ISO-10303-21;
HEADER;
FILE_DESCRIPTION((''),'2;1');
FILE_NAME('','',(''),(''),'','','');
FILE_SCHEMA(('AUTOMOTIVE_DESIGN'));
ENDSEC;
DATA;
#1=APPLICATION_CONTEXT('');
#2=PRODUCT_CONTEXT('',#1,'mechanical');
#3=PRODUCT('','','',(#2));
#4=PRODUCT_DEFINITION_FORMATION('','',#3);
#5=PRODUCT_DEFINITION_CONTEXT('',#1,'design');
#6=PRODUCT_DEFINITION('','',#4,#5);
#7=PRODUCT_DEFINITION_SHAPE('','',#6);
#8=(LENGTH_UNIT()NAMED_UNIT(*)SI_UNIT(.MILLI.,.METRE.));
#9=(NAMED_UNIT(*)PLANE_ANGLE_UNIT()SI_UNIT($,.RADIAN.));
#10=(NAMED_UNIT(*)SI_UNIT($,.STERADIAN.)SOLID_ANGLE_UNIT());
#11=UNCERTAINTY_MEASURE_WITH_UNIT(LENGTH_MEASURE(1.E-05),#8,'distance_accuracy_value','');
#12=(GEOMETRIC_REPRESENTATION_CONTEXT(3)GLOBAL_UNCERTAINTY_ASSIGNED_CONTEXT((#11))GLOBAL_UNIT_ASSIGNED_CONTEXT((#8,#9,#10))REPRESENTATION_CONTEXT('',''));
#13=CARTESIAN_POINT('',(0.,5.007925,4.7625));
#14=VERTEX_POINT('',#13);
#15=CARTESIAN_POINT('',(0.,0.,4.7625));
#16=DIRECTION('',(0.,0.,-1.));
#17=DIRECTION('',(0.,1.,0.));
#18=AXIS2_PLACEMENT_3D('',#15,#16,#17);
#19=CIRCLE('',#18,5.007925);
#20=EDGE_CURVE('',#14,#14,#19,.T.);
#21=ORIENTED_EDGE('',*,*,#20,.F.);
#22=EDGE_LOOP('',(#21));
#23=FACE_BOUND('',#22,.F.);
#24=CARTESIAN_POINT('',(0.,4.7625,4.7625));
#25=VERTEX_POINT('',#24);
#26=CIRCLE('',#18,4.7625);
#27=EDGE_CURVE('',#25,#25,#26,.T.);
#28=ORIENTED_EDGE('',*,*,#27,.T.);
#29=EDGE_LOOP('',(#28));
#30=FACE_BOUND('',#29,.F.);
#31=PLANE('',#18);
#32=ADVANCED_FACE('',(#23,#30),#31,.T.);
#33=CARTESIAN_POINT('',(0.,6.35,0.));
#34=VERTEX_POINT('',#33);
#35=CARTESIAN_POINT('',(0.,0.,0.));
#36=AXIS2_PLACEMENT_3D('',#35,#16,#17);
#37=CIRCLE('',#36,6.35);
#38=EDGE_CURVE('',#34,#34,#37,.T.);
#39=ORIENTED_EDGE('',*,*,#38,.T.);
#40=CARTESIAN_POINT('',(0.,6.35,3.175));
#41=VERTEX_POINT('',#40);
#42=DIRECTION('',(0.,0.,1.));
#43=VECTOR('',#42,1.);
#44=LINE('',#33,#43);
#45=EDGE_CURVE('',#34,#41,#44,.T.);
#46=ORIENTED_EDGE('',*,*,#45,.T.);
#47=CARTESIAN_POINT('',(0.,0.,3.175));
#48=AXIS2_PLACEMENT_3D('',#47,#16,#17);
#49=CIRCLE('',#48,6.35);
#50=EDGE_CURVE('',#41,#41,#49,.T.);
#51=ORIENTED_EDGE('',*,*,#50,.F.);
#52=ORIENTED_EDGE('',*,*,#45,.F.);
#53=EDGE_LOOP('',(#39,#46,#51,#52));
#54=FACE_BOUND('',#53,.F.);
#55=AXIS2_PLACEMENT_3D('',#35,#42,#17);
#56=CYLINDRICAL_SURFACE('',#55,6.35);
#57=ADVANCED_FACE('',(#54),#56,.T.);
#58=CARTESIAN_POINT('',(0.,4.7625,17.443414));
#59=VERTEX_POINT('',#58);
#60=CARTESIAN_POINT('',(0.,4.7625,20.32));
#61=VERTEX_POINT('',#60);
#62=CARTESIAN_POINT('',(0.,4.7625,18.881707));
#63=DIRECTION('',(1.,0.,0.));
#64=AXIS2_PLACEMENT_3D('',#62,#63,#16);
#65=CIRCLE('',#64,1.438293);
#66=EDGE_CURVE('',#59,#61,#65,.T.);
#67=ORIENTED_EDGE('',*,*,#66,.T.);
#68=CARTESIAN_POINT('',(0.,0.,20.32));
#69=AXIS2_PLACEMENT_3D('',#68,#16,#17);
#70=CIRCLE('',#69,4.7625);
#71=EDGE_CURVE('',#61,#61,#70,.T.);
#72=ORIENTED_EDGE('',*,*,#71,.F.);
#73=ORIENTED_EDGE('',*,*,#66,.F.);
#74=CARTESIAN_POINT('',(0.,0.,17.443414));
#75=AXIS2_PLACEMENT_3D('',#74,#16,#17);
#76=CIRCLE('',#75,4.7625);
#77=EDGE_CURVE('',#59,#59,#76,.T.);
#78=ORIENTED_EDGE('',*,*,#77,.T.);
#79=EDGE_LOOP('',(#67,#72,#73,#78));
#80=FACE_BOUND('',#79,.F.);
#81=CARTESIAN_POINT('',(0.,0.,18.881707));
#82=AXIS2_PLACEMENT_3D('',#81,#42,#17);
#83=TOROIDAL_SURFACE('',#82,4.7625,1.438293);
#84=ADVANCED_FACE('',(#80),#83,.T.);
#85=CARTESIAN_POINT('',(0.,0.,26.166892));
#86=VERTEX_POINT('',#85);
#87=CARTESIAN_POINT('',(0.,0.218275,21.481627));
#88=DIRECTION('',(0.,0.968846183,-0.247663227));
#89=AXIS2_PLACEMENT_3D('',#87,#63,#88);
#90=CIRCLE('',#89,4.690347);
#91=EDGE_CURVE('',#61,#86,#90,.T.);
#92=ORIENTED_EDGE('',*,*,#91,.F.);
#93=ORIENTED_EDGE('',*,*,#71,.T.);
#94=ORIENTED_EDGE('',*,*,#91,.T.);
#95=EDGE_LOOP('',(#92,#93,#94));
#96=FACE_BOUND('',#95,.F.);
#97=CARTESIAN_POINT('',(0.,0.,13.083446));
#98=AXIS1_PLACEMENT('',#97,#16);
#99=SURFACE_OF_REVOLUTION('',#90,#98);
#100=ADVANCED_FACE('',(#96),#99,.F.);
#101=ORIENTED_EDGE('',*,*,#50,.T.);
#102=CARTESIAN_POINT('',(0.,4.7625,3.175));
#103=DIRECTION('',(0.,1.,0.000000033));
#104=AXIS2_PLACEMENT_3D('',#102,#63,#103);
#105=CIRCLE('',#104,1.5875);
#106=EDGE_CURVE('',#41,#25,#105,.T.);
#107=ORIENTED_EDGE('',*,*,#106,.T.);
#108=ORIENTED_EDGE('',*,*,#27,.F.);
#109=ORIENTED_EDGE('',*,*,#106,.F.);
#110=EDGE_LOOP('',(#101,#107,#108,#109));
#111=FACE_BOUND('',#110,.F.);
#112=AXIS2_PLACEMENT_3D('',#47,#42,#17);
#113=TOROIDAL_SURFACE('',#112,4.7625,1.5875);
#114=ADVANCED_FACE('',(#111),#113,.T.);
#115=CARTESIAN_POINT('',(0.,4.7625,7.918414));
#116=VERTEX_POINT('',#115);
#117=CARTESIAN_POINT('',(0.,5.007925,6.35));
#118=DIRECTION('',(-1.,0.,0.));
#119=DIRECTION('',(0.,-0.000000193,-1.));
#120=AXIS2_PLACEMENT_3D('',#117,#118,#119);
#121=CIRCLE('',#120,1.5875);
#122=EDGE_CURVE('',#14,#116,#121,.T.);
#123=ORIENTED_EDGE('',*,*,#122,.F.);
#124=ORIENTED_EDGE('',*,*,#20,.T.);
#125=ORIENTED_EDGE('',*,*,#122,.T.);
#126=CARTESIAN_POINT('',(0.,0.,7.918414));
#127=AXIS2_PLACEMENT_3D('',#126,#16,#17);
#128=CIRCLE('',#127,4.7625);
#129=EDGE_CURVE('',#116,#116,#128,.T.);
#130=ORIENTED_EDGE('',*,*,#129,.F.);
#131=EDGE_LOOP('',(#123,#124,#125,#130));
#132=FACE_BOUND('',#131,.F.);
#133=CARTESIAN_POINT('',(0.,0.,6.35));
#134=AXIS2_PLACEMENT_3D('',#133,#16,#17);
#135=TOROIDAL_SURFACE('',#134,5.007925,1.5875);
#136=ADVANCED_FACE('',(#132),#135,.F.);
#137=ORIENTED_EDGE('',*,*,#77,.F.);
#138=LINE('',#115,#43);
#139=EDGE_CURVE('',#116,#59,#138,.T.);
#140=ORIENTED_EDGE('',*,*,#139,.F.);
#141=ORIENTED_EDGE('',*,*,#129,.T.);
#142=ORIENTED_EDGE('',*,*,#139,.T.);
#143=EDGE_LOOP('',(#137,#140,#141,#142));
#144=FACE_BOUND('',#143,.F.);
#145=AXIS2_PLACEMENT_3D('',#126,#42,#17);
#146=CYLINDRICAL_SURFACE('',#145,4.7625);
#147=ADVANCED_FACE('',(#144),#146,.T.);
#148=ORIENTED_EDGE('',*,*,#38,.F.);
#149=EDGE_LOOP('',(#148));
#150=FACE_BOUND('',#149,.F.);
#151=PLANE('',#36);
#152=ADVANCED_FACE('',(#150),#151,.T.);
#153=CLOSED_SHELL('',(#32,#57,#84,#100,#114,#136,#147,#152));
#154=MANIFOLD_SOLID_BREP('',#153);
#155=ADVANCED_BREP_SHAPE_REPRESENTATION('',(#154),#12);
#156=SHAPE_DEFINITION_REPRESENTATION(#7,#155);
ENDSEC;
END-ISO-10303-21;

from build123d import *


with BuildPart() as f1:
    # F0 (on Right) → F1 (revolve)
    with BuildSketch(Plane.YZ):
        with BuildLine():
            Line((0, 26.166892), (0, 0))
            Line((0, 0), (6.35, 0))
            Line((6.35, 0), (6.35, 3.175))
            ThreePointArc((6.35, 3.175), (5.885032, 4.297532), (4.7625, 4.7625))
            Line((4.7625, 4.7625), (5.007925, 4.7625))
            ThreePointArc((5.007925, 4.7625), (3.425204, 6.226917), (4.7625, 7.918414))
            Line((4.7625, 7.918414), (4.7625, 17.443414))
            ThreePointArc((4.7625, 17.443414), (6.200793, 18.881707), (4.7625, 20.32))
            ThreePointArc((4.7625, 20.32), (3.854894, 24.443781), (0, 26.166892))
        make_face()
    revolve(axis=Axis((0, 0, 13.083446), (0, 0, -1)))


solid = f1.part
